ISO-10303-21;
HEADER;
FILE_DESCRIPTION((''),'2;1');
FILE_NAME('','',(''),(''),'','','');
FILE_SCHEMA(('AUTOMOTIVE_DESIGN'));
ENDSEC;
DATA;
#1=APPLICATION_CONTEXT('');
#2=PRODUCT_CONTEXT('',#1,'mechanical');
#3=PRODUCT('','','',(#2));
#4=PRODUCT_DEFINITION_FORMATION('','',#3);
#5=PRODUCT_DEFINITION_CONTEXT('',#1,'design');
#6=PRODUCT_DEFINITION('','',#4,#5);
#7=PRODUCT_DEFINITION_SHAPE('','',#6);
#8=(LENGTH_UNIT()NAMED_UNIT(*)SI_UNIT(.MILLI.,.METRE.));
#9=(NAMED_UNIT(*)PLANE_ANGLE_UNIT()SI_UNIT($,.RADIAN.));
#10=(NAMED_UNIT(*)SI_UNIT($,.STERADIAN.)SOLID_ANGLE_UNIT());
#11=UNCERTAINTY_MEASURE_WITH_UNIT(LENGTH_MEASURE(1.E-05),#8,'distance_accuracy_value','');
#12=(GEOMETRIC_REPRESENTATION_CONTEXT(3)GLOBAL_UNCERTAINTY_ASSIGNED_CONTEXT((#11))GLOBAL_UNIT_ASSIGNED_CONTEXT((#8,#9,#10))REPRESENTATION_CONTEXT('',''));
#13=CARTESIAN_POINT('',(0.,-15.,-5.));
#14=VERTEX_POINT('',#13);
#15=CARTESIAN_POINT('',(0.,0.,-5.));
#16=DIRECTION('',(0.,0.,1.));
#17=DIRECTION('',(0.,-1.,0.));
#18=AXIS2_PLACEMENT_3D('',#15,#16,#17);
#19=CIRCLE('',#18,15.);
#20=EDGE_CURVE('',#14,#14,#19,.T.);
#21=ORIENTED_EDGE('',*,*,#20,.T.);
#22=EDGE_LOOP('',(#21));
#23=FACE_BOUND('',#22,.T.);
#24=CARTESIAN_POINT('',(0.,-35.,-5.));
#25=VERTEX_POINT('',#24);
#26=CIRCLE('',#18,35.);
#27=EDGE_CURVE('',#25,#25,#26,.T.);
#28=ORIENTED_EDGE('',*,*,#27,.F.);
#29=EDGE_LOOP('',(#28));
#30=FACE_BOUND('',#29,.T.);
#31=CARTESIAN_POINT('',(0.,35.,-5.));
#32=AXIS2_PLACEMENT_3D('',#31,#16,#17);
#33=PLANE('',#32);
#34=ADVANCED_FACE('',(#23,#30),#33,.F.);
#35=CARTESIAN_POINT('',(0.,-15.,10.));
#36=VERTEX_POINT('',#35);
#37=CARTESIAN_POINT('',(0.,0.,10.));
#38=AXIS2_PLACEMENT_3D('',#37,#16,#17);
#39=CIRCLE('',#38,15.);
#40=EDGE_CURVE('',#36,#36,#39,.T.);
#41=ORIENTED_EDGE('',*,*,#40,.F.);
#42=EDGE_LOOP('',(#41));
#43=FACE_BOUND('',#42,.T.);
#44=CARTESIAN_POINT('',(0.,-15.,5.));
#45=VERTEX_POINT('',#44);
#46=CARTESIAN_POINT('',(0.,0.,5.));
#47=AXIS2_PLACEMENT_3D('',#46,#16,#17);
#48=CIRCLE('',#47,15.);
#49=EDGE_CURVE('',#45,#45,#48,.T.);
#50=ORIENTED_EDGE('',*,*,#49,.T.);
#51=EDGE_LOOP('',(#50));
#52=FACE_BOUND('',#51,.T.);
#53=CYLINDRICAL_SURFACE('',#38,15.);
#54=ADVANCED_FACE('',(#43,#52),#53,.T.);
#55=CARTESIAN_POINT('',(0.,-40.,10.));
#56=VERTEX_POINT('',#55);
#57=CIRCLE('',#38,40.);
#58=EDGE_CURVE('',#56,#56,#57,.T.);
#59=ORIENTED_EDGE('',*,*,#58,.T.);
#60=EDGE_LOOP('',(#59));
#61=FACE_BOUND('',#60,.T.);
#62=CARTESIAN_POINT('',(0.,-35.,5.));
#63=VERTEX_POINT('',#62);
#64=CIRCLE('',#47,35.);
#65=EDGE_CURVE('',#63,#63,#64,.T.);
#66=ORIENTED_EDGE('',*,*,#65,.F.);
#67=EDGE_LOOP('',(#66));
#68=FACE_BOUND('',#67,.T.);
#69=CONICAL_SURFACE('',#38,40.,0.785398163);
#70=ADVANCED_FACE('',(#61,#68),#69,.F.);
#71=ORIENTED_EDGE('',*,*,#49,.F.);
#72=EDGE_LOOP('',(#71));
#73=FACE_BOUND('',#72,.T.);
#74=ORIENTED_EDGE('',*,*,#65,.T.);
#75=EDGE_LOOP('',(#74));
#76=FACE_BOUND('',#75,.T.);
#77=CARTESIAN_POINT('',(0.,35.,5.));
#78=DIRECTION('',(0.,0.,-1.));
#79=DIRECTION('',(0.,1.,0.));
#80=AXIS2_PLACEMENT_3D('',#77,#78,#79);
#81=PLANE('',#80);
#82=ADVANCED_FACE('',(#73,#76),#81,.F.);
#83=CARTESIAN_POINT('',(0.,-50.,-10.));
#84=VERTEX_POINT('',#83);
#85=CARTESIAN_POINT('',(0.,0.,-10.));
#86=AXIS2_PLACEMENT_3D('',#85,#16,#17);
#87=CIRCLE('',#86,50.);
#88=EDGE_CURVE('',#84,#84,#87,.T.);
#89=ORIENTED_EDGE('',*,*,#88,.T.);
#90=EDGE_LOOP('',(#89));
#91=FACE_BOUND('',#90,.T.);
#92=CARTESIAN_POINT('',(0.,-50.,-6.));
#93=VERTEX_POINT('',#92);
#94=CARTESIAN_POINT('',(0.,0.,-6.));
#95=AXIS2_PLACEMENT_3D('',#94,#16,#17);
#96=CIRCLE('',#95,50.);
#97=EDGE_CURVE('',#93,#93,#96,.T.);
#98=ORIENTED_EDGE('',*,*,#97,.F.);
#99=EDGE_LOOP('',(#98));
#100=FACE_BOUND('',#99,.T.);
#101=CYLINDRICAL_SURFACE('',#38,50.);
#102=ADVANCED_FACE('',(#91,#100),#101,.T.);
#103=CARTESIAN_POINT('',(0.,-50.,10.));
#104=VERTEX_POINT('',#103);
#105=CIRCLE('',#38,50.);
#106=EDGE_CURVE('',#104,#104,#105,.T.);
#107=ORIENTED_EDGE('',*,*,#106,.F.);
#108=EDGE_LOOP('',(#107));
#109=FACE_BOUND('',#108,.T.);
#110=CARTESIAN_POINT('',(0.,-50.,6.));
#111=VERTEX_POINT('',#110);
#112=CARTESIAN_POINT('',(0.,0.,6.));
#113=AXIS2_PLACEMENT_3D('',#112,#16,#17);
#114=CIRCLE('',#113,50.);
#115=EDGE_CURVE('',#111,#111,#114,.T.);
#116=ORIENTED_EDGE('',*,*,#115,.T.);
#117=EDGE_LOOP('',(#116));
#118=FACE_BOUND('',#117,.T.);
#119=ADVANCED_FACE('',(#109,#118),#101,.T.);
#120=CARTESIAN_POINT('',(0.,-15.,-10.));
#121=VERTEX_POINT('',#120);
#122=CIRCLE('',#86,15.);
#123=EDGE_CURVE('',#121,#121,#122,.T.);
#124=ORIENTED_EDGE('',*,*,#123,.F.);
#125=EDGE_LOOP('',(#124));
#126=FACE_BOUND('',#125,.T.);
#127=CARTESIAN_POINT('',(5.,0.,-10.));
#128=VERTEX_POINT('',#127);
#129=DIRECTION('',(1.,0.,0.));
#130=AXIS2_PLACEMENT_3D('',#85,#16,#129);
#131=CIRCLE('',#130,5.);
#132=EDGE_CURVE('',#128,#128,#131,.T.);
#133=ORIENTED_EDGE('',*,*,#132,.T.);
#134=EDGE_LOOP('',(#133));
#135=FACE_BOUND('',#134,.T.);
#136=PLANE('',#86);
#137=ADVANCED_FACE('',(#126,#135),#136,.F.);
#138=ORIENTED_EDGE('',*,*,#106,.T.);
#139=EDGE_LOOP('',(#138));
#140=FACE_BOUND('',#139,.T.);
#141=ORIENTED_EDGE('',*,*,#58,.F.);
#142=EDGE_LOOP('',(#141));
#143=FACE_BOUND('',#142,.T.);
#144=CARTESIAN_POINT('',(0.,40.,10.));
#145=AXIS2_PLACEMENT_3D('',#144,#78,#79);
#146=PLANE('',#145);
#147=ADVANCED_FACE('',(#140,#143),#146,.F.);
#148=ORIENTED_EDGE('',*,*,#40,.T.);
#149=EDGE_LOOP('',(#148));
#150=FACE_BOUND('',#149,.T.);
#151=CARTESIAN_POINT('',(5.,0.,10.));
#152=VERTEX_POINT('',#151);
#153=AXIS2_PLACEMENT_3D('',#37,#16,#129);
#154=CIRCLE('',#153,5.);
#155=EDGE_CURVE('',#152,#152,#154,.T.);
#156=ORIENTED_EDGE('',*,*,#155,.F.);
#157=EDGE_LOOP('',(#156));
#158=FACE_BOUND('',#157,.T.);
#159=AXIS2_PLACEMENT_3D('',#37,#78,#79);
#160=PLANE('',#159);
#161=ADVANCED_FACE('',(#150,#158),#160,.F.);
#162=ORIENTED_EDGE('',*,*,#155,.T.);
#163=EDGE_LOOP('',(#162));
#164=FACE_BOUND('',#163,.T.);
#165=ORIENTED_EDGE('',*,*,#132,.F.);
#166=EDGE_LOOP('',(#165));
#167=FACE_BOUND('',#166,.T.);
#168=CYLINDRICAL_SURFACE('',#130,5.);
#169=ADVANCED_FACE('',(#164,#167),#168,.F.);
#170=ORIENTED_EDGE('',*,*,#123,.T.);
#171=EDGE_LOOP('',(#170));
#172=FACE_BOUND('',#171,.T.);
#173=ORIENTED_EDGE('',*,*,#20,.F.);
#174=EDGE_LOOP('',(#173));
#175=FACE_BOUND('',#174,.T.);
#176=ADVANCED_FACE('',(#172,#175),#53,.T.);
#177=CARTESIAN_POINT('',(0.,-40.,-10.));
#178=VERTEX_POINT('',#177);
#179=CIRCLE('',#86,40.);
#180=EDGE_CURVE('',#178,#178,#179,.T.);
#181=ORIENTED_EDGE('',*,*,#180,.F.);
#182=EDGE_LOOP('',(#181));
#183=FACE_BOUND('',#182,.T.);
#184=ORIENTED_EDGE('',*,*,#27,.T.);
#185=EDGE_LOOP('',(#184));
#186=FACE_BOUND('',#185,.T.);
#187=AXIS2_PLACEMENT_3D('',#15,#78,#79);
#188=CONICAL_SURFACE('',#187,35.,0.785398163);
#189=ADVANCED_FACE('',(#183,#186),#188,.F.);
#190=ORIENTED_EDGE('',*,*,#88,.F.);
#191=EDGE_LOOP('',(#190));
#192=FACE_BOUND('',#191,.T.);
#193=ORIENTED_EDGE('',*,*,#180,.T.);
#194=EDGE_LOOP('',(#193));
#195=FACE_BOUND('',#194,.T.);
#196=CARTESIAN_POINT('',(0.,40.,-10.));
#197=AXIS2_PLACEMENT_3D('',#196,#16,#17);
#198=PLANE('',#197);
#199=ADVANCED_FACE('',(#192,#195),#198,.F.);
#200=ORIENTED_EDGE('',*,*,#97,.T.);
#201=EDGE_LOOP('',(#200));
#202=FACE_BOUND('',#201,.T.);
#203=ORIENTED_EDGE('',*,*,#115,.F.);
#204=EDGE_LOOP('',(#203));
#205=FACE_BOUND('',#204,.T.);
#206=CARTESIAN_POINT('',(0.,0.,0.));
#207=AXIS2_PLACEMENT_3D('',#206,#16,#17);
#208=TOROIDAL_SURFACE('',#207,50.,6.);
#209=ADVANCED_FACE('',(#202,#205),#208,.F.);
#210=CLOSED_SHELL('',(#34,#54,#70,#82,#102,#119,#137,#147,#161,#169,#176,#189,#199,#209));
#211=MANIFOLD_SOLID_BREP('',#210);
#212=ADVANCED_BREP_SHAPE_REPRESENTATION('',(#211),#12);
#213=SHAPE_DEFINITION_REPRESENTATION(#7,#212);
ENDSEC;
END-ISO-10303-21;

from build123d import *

# Parameters (mm, degrees)
SKETCH_2_R          = 5
CUT_EXTRUDE_1_DEPTH = 74.484692283


with BuildPart() as part:
    # Эскиз1 → Повернуть1 (revolve)
    with BuildSketch(Plane(origin=(0, 0, 0), x_dir=(0, 0, -1), z_dir=(1, 0, 0)), mode=Mode.PRIVATE) as revolve_1_sk:
        with BuildLine():
            Line((6, 50), (10, 50))
            Line((10, 50), (10, 40))
            Line((10, 40), (5, 35))
            Line((5, 35), (5, 15))
            Line((5, 15), (10, 15))
            Line((10, 15), (10, 0))
            Line((10, 0), (-10, 0))
            Line((-10, 0), (-10, 15))
            Line((-10, 15), (-5, 15))
            Line((-5, 15), (-5, 35))
            Line((-5, 35), (-10, 40))
            Line((-10, 40), (-10, 50))
            Line((-10, 50), (-6, 50))
            ThreePointArc((-6, 50), (0, 44), (6, 50))
        make_face()
    revolve(revolve_1_sk.sketch.rotate(Axis((0, 0, 10), (0, 0, -1)), 180), axis=Axis((0, 0, 10), (0, 0, -1)))

    # Эскиз2 → Вырез-Вытянуть1 (cut, through all)
    with BuildSketch(Plane.XY.offset(10)):
        Circle(SKETCH_2_R)
    extrude(amount=-CUT_EXTRUDE_1_DEPTH, mode=Mode.SUBTRACT)


solid = part.part
